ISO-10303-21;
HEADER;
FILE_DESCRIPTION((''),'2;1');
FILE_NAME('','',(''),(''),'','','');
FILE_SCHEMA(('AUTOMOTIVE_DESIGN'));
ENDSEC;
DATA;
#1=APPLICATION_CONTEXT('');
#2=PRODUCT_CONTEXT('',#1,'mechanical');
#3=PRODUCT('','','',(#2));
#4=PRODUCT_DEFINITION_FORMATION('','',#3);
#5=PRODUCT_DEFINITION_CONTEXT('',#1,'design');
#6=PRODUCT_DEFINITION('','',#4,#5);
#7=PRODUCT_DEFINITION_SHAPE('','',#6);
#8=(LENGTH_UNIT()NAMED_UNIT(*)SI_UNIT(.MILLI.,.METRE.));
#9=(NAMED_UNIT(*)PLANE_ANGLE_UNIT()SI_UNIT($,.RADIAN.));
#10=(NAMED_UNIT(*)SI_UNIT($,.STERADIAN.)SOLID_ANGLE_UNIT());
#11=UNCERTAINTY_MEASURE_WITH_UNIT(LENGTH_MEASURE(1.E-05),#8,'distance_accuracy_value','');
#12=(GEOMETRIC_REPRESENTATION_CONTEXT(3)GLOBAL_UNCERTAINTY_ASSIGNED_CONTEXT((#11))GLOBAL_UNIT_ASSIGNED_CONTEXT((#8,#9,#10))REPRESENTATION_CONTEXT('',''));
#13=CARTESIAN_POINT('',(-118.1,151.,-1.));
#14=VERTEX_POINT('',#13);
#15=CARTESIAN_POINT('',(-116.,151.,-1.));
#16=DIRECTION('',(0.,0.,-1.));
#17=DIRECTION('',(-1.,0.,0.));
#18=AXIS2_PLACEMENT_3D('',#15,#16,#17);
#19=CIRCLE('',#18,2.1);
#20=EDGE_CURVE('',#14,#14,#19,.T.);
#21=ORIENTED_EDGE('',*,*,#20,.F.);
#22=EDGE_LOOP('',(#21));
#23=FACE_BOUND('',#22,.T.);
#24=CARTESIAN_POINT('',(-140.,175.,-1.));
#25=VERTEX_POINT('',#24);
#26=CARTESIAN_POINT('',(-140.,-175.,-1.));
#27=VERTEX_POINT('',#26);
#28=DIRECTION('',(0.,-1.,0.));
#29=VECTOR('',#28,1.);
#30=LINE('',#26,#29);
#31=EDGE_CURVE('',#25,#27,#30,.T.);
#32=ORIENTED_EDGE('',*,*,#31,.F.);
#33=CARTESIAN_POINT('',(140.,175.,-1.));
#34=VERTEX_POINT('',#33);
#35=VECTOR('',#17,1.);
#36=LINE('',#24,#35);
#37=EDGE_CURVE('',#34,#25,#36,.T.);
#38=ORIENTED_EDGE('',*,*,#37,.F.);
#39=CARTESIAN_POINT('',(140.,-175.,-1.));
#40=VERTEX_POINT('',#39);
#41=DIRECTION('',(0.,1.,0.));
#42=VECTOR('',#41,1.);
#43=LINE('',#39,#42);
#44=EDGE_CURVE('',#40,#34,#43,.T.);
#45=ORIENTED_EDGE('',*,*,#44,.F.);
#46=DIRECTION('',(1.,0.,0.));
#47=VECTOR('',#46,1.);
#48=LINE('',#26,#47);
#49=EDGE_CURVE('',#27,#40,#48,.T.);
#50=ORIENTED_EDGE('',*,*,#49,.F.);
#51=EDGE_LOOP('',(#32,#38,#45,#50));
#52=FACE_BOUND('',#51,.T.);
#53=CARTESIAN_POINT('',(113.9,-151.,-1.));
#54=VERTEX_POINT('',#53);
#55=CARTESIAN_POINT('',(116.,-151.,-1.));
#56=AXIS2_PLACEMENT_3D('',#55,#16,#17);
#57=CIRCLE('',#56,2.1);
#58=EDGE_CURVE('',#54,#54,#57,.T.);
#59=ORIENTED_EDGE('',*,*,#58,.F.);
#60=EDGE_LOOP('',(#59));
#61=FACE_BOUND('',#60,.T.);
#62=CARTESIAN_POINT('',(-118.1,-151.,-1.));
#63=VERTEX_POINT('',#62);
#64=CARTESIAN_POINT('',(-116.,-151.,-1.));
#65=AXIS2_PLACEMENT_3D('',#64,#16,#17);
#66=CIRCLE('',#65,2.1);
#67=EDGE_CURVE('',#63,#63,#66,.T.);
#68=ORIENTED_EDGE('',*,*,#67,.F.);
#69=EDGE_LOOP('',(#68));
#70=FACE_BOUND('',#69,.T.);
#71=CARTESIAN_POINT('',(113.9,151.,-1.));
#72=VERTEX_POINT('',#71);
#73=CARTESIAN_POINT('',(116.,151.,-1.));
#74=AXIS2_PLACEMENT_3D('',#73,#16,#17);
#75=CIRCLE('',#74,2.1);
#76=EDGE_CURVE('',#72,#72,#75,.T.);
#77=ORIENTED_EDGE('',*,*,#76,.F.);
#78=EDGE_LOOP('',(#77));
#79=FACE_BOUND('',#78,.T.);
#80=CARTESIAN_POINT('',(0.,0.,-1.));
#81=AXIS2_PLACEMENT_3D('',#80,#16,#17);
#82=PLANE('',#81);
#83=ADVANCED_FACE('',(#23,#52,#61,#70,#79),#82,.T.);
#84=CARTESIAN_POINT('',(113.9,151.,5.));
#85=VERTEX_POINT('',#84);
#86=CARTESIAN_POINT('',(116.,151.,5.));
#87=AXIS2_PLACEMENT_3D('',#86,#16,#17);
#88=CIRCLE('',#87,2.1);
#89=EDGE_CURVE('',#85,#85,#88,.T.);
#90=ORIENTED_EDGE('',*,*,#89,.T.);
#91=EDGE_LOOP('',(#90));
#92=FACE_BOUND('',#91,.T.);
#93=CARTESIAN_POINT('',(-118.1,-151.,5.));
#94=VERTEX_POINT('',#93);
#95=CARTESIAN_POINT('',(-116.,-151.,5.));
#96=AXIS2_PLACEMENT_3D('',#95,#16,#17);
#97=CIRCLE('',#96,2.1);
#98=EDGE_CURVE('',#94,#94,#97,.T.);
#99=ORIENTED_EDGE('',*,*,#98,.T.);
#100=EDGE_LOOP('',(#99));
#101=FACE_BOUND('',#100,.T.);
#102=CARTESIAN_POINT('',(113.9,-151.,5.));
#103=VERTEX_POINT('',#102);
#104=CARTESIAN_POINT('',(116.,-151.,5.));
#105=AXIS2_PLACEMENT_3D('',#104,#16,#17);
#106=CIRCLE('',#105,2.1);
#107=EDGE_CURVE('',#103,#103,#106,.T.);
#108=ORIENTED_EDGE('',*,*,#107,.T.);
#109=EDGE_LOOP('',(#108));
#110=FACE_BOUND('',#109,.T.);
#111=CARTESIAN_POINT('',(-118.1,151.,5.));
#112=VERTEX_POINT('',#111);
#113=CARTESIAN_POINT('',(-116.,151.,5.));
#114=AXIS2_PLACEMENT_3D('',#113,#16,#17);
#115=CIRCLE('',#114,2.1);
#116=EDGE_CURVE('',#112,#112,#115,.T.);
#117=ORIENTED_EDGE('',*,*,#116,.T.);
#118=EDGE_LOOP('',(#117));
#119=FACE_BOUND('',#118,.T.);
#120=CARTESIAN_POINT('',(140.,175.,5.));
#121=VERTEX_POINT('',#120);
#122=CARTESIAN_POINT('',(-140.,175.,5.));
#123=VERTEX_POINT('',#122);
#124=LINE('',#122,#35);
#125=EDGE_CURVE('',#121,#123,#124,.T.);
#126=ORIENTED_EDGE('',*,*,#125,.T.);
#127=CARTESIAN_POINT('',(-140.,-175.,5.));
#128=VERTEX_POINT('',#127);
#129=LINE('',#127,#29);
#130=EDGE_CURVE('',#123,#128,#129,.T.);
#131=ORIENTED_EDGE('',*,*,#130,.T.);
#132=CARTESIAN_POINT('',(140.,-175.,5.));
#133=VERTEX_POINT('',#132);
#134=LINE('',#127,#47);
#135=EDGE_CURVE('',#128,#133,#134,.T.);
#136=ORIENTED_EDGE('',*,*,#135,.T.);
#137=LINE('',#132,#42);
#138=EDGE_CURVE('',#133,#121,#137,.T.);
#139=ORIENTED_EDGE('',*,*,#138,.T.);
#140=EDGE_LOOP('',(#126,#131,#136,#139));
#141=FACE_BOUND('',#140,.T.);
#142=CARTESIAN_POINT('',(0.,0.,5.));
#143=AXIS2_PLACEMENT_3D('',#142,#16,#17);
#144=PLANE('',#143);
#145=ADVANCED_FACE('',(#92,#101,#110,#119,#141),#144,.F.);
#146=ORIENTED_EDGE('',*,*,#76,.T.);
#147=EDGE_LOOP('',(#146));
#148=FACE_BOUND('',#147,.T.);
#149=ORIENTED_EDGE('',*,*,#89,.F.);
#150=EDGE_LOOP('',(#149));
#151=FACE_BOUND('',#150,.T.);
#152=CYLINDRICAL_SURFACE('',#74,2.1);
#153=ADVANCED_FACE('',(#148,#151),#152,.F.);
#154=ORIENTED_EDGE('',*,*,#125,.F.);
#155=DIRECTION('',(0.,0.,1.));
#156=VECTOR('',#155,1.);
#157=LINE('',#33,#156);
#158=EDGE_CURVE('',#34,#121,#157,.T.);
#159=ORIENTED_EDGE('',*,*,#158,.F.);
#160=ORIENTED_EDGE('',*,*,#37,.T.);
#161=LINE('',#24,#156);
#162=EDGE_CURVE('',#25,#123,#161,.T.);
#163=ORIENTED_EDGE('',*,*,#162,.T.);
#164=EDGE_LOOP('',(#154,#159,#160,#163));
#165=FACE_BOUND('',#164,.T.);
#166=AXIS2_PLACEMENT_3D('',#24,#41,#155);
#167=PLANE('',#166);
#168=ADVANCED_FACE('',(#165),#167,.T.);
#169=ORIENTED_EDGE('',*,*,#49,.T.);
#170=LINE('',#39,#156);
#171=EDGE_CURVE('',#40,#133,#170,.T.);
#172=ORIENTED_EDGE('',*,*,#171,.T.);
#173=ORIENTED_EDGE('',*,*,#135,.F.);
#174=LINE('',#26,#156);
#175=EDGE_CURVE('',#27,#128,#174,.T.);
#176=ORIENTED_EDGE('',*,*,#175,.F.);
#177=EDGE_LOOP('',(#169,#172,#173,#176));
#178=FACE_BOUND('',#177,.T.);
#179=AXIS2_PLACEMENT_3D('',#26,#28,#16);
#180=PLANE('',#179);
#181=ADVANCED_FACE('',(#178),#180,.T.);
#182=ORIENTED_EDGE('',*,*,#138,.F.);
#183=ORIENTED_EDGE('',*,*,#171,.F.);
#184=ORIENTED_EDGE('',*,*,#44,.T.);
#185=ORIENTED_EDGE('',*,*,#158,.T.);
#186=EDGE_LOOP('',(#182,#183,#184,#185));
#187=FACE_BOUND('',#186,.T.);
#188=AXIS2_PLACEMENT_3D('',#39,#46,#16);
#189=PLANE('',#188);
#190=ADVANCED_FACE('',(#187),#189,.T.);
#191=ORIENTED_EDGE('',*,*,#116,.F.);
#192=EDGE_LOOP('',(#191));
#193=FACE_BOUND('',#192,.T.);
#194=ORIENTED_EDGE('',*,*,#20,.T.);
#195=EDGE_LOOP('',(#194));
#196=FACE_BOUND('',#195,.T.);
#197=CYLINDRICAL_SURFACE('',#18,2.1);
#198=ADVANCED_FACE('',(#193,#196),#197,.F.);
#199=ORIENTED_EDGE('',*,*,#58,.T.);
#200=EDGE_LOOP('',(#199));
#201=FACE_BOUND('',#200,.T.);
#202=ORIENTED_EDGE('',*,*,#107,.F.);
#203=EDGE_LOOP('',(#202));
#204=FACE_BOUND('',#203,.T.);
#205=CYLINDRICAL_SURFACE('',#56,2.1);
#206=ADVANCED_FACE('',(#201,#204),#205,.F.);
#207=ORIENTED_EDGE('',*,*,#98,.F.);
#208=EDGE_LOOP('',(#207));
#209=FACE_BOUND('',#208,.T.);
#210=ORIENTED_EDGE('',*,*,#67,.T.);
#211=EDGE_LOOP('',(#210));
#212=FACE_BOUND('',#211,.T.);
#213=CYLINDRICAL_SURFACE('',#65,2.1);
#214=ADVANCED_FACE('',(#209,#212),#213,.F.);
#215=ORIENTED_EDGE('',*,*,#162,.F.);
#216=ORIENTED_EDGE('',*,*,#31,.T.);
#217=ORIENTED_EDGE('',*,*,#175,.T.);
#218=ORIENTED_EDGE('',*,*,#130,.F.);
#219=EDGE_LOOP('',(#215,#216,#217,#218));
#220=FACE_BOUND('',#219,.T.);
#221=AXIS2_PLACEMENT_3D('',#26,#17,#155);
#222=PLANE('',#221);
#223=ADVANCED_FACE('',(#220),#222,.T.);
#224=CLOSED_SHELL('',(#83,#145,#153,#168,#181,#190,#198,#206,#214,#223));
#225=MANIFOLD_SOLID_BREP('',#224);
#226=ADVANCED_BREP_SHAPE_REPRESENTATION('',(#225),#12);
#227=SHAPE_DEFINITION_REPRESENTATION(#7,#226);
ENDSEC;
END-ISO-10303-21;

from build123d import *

# Parameters (mm, degrees)
ESBO_O1_W                    = 280
ESBO_O1_H                    = 350
RESSALTO_EXTRUS_O1_DEPTH     = 6
FURO_DE_DI_METRO_4_2_4_2_1_D = 4.2


with BuildPart() as part:
    # Esboço1 → Ressalto-extrusão1 (new body)
    with BuildSketch(Plane.XY.offset(5)):
        Rectangle(ESBO_O1_W, ESBO_O1_H)
    extrude(amount=-RESSALTO_EXTRUS_O1_DEPTH)

    # Furo de diâmetro Ø4.2 (4.2)1 (through all)
    with Locations(Plane(origin=(0, 0, -1), x_dir=(-1, 0, 0), z_dir=(0, 0, -1))):
        with Locations((-116, 151), (-116, -151), (116, -151), (116, 151)):
            Hole(FURO_DE_DI_METRO_4_2_4_2_1_D / 2)


solid = part.part
